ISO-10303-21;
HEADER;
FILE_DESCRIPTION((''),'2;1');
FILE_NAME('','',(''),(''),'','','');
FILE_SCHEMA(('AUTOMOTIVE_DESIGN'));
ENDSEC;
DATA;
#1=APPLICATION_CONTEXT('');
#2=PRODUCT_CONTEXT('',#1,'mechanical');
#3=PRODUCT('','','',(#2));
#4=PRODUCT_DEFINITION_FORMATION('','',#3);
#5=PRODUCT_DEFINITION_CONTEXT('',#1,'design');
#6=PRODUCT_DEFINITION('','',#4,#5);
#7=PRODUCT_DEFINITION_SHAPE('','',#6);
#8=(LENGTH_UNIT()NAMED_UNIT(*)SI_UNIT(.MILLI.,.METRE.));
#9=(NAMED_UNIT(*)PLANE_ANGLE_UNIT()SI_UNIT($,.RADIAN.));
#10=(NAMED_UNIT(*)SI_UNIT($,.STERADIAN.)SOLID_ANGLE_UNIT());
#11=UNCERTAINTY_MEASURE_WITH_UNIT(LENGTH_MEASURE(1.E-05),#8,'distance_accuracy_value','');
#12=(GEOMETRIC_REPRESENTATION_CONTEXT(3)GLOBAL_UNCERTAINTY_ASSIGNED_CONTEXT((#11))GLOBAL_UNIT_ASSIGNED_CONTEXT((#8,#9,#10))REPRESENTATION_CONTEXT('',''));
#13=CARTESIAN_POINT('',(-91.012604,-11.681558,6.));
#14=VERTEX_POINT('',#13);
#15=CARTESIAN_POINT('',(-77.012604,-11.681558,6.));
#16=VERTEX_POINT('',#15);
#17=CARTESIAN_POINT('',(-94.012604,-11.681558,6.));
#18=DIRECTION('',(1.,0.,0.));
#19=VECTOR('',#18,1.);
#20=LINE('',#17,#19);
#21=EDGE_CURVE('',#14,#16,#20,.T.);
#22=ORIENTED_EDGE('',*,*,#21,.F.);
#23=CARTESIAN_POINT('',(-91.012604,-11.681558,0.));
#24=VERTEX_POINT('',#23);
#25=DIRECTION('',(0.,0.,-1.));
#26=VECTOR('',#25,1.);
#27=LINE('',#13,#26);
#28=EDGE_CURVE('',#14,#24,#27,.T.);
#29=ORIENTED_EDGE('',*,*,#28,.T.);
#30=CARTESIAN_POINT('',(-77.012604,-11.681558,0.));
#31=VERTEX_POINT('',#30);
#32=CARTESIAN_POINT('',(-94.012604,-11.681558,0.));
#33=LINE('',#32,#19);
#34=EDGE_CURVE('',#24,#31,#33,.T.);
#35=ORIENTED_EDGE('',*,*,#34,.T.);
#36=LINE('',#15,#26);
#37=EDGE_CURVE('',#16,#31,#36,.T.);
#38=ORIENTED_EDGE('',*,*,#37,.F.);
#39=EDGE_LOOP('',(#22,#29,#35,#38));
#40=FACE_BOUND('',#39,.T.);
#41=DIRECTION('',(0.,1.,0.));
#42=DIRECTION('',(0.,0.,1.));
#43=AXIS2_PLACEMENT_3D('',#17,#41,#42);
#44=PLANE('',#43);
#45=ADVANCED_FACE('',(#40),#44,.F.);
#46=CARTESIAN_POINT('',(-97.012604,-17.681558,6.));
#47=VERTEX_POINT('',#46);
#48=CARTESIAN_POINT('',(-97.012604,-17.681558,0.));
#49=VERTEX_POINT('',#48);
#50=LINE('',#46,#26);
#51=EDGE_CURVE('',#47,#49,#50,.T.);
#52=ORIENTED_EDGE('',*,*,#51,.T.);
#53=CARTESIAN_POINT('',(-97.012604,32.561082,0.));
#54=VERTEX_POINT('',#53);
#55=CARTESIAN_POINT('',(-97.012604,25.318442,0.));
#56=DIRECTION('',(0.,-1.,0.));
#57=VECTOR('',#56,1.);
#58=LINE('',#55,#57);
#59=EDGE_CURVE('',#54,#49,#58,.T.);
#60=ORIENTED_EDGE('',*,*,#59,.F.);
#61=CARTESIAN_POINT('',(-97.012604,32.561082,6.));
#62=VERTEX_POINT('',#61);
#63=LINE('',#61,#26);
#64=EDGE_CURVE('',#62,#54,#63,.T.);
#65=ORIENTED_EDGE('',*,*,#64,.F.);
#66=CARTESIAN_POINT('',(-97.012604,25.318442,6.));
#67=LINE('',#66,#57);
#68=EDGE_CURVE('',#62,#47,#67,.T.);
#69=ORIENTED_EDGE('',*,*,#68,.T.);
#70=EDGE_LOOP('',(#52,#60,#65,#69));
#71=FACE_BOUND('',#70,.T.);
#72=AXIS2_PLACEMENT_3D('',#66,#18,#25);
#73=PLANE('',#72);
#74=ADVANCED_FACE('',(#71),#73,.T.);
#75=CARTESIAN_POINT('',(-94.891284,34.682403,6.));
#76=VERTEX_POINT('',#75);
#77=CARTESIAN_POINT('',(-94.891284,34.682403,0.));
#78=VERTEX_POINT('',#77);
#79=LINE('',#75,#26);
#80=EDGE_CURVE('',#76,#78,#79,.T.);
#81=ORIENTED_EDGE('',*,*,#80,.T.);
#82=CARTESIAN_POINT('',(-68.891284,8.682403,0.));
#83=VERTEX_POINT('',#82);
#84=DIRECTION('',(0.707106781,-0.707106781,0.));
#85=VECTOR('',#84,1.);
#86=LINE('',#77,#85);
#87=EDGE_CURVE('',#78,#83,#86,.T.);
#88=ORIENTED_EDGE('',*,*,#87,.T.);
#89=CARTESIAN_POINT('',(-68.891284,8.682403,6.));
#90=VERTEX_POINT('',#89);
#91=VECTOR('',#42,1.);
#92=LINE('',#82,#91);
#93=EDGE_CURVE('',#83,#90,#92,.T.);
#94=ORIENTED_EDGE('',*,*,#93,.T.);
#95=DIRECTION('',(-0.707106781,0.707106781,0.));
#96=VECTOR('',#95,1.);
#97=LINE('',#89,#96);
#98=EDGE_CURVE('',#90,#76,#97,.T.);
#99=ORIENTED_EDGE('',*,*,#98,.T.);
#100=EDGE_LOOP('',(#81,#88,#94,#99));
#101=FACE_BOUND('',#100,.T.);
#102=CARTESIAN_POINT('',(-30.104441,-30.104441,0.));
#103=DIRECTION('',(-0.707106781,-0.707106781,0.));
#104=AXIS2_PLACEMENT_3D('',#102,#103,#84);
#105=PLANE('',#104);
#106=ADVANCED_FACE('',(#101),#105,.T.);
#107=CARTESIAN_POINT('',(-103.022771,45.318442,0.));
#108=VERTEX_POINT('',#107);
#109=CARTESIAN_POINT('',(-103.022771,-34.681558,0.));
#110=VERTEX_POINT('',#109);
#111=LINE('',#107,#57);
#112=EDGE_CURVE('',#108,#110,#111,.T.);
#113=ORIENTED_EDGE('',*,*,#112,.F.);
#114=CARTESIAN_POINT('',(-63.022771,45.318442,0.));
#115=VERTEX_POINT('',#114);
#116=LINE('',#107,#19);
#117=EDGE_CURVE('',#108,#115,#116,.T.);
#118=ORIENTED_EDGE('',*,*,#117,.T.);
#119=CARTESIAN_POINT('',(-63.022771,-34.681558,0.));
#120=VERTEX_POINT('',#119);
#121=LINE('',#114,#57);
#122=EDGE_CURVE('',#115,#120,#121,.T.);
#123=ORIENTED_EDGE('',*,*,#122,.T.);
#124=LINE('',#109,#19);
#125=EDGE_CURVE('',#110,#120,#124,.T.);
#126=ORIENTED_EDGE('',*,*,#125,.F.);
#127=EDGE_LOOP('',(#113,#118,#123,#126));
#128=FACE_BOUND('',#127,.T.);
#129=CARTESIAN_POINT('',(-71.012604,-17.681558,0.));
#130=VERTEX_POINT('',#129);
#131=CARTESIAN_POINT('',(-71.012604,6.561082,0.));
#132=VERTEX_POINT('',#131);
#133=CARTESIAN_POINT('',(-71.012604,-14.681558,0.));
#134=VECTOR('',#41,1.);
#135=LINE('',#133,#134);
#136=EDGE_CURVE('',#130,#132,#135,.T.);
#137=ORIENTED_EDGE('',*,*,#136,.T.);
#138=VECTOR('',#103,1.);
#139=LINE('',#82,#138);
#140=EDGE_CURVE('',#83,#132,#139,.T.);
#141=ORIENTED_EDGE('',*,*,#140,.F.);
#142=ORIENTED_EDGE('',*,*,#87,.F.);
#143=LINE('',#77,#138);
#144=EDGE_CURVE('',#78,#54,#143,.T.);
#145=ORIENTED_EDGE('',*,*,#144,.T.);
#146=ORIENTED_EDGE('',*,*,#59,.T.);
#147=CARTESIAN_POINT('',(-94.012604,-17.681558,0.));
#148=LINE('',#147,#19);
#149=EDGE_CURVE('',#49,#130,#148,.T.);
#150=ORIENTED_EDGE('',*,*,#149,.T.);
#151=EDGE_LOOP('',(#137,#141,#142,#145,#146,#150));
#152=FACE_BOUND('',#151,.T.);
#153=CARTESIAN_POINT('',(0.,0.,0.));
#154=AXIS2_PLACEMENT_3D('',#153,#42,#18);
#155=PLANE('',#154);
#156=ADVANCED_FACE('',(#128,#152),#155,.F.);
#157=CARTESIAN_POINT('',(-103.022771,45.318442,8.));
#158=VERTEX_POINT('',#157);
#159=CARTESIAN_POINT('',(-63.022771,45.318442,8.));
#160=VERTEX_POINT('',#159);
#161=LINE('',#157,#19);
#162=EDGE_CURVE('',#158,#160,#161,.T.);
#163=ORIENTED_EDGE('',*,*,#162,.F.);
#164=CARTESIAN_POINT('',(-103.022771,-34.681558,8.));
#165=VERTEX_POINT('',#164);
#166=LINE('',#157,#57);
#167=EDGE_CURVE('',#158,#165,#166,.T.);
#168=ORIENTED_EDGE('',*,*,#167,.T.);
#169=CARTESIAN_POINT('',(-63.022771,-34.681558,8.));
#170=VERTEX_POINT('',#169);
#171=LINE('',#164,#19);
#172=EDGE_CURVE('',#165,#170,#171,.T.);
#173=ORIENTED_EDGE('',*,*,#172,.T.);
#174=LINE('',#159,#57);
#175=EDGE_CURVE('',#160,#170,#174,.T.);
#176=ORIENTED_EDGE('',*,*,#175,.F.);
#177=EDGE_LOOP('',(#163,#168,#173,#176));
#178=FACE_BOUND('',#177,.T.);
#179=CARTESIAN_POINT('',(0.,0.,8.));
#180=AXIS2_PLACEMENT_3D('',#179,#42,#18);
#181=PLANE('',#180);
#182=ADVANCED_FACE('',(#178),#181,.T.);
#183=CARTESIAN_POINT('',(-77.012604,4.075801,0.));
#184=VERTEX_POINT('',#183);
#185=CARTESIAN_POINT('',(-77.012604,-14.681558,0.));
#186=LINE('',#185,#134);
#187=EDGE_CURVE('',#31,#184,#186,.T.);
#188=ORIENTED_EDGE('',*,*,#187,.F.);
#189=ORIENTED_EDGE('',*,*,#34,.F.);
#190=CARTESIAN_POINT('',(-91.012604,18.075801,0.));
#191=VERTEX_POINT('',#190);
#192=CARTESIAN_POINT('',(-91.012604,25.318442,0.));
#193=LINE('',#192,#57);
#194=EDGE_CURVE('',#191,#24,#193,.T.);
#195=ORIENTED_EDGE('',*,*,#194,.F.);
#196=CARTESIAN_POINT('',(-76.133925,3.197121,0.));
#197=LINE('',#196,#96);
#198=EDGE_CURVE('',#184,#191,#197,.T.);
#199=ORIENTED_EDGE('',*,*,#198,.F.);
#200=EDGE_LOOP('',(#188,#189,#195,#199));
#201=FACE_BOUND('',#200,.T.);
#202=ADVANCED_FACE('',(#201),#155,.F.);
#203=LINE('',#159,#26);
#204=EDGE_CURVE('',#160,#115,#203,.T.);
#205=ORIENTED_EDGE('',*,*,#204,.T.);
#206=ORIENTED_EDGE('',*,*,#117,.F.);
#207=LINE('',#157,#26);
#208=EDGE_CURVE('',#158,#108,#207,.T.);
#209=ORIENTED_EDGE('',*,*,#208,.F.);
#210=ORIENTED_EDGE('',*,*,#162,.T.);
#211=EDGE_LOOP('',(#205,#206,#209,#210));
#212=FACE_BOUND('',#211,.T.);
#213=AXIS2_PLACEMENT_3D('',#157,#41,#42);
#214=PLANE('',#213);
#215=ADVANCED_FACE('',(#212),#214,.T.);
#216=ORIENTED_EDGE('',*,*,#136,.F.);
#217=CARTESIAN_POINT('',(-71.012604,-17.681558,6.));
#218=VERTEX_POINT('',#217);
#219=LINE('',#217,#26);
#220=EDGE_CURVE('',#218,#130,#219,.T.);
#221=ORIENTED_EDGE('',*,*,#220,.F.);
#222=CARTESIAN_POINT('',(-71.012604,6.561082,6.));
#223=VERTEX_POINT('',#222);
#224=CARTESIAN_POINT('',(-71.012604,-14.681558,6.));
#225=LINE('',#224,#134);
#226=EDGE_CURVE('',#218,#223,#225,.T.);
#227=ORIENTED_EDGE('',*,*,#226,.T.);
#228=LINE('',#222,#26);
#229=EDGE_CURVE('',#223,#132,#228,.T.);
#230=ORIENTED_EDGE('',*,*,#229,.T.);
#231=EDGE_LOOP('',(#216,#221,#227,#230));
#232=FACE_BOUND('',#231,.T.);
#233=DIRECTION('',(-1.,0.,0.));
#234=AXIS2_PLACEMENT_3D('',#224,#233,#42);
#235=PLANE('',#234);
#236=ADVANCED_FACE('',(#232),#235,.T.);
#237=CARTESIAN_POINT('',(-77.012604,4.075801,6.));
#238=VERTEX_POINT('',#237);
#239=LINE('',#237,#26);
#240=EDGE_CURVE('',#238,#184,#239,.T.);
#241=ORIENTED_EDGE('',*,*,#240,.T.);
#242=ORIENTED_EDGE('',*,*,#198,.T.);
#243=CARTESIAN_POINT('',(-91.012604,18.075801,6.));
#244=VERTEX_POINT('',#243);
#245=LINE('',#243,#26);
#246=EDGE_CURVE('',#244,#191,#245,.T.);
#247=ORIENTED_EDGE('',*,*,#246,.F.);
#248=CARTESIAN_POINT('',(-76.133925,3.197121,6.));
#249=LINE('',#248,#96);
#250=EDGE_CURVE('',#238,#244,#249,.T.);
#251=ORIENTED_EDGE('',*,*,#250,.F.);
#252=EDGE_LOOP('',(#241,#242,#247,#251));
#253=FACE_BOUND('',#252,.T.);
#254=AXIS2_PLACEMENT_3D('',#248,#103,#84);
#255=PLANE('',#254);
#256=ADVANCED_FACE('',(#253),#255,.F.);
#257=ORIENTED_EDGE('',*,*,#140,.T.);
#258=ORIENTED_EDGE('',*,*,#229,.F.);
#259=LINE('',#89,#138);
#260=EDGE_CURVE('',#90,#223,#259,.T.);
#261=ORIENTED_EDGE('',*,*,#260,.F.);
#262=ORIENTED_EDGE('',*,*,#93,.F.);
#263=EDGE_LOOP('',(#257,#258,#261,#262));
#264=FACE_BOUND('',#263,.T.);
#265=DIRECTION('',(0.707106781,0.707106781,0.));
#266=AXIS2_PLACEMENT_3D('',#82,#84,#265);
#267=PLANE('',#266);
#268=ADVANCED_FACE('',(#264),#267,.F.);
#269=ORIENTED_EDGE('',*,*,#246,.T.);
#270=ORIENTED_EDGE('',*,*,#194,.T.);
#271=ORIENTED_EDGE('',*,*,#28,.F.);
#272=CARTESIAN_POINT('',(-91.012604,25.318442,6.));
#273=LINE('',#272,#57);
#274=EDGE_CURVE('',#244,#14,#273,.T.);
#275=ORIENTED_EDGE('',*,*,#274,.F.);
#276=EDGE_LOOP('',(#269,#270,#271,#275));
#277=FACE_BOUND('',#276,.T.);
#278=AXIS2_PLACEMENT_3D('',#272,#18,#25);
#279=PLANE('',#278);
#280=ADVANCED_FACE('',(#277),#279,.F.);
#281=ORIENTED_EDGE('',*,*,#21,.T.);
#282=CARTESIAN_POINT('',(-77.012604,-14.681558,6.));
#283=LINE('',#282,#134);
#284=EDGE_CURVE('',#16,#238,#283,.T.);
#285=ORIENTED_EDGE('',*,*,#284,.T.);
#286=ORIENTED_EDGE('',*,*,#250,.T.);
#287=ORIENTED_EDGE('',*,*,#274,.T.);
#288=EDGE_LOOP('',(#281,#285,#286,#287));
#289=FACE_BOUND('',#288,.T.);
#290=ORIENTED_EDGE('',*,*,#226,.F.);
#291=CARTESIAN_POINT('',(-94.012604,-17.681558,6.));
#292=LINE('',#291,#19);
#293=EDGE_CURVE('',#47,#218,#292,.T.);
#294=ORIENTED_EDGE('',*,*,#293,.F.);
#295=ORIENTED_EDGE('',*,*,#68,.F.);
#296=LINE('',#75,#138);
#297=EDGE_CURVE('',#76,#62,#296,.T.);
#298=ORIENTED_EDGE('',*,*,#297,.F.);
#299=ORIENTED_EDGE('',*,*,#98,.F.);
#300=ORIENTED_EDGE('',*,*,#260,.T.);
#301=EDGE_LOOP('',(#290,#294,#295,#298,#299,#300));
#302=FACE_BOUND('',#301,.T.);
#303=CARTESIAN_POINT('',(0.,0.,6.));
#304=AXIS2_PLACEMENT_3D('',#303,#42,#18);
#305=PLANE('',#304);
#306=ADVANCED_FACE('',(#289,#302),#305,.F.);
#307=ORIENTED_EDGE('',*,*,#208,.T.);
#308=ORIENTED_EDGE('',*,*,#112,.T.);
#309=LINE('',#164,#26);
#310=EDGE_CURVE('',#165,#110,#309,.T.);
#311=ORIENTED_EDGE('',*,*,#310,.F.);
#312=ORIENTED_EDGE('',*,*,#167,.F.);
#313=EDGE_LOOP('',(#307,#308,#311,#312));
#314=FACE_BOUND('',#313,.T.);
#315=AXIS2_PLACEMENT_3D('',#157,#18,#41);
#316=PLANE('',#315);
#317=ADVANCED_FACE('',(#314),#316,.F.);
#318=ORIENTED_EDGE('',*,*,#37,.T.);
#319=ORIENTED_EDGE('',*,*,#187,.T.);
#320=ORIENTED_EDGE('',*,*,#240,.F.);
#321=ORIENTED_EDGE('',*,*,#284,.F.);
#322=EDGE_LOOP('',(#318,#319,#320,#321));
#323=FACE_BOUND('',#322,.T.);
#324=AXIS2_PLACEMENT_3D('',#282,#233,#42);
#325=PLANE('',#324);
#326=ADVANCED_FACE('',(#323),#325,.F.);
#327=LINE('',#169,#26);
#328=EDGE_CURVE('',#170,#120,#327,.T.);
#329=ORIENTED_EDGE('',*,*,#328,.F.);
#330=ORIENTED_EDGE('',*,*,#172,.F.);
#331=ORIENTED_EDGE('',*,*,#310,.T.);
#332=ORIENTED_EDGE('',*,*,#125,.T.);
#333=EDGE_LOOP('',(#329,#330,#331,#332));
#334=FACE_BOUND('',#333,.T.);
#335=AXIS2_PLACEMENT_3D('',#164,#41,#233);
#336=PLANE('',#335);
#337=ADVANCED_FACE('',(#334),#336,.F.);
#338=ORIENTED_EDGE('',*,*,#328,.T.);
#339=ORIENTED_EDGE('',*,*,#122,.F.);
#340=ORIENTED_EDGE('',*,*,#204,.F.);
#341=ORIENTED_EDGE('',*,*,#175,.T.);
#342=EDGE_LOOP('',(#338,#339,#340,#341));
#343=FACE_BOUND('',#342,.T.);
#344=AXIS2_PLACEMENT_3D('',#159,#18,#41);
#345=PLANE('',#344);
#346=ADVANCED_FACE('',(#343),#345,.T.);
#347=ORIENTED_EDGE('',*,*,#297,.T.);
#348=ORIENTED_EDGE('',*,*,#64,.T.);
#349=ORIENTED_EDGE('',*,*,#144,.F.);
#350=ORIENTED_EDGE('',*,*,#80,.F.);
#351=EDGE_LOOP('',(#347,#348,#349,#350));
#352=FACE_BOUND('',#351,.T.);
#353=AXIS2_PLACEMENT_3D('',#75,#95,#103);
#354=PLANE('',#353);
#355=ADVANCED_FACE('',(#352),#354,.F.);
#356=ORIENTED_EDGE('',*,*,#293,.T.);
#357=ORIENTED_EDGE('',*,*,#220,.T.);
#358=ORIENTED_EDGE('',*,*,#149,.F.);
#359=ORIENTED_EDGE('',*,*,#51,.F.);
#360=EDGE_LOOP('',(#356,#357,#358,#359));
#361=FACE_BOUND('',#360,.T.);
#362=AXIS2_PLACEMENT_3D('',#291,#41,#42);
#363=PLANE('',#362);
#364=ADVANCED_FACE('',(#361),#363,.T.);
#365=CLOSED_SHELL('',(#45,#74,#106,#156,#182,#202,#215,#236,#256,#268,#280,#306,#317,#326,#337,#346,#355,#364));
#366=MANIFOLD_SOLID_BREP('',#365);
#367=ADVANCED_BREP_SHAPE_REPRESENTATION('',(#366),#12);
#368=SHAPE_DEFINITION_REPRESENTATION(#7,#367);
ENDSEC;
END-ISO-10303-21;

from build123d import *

# Parameters (mm, degrees)
SKETCH1_W               = 40
SKETCH1_H               = 80
BOSS_EXTRUDE1_DEPTH     = 8
CUT_EXTRUDE_THIN1_DEPTH = 6
SKETCH2_W               = 6
SKETCH2_H               = 36.769552622
CUT_EXTRUDE1_DEPTH      = 3


with BuildPart() as part:
    # Sketch1 → Boss-Extrude1 (new body)
    with BuildSketch(Plane.XY):
        with Locations((-83.02277118, 5.318441745)):
            Rectangle(SKETCH1_W, SKETCH1_H)
    extrude(amount=BOSS_EXTRUDE1_DEPTH)

    # Sketch1<4> → Cut-Extrude-Thin1 (cut)
    with BuildSketch(Plane.XY):
        Polygon((-97.012604353, 32.561082432), (-97.012604353, -17.681558255), (-71.012604353, -17.681558255), (-71.012604353, 6.561082432), align=None)
        Polygon((-91.012604353, 18.075801058), (-91.012604353, -11.681558255), (-77.012604353, -11.681558255), (-77.012604353, 4.075801058), align=None, mode=Mode.SUBTRACT)
    extrude(amount=CUT_EXTRUDE_THIN1_DEPTH, mode=Mode.SUBTRACT)

    # Sketch2 → Cut-Extrude1 (cut)
    with BuildSketch(Plane(origin=(-32.22576096, -32.22576096, 0), x_dir=(0, 0, 1), z_dir=(-0.7071067811865461, -0.707106781186549, 0))):
        with Locations((3, 73.237656278)):
            Rectangle(SKETCH2_W, SKETCH2_H)
    extrude(amount=-CUT_EXTRUDE1_DEPTH, mode=Mode.SUBTRACT)


solid = part.part
